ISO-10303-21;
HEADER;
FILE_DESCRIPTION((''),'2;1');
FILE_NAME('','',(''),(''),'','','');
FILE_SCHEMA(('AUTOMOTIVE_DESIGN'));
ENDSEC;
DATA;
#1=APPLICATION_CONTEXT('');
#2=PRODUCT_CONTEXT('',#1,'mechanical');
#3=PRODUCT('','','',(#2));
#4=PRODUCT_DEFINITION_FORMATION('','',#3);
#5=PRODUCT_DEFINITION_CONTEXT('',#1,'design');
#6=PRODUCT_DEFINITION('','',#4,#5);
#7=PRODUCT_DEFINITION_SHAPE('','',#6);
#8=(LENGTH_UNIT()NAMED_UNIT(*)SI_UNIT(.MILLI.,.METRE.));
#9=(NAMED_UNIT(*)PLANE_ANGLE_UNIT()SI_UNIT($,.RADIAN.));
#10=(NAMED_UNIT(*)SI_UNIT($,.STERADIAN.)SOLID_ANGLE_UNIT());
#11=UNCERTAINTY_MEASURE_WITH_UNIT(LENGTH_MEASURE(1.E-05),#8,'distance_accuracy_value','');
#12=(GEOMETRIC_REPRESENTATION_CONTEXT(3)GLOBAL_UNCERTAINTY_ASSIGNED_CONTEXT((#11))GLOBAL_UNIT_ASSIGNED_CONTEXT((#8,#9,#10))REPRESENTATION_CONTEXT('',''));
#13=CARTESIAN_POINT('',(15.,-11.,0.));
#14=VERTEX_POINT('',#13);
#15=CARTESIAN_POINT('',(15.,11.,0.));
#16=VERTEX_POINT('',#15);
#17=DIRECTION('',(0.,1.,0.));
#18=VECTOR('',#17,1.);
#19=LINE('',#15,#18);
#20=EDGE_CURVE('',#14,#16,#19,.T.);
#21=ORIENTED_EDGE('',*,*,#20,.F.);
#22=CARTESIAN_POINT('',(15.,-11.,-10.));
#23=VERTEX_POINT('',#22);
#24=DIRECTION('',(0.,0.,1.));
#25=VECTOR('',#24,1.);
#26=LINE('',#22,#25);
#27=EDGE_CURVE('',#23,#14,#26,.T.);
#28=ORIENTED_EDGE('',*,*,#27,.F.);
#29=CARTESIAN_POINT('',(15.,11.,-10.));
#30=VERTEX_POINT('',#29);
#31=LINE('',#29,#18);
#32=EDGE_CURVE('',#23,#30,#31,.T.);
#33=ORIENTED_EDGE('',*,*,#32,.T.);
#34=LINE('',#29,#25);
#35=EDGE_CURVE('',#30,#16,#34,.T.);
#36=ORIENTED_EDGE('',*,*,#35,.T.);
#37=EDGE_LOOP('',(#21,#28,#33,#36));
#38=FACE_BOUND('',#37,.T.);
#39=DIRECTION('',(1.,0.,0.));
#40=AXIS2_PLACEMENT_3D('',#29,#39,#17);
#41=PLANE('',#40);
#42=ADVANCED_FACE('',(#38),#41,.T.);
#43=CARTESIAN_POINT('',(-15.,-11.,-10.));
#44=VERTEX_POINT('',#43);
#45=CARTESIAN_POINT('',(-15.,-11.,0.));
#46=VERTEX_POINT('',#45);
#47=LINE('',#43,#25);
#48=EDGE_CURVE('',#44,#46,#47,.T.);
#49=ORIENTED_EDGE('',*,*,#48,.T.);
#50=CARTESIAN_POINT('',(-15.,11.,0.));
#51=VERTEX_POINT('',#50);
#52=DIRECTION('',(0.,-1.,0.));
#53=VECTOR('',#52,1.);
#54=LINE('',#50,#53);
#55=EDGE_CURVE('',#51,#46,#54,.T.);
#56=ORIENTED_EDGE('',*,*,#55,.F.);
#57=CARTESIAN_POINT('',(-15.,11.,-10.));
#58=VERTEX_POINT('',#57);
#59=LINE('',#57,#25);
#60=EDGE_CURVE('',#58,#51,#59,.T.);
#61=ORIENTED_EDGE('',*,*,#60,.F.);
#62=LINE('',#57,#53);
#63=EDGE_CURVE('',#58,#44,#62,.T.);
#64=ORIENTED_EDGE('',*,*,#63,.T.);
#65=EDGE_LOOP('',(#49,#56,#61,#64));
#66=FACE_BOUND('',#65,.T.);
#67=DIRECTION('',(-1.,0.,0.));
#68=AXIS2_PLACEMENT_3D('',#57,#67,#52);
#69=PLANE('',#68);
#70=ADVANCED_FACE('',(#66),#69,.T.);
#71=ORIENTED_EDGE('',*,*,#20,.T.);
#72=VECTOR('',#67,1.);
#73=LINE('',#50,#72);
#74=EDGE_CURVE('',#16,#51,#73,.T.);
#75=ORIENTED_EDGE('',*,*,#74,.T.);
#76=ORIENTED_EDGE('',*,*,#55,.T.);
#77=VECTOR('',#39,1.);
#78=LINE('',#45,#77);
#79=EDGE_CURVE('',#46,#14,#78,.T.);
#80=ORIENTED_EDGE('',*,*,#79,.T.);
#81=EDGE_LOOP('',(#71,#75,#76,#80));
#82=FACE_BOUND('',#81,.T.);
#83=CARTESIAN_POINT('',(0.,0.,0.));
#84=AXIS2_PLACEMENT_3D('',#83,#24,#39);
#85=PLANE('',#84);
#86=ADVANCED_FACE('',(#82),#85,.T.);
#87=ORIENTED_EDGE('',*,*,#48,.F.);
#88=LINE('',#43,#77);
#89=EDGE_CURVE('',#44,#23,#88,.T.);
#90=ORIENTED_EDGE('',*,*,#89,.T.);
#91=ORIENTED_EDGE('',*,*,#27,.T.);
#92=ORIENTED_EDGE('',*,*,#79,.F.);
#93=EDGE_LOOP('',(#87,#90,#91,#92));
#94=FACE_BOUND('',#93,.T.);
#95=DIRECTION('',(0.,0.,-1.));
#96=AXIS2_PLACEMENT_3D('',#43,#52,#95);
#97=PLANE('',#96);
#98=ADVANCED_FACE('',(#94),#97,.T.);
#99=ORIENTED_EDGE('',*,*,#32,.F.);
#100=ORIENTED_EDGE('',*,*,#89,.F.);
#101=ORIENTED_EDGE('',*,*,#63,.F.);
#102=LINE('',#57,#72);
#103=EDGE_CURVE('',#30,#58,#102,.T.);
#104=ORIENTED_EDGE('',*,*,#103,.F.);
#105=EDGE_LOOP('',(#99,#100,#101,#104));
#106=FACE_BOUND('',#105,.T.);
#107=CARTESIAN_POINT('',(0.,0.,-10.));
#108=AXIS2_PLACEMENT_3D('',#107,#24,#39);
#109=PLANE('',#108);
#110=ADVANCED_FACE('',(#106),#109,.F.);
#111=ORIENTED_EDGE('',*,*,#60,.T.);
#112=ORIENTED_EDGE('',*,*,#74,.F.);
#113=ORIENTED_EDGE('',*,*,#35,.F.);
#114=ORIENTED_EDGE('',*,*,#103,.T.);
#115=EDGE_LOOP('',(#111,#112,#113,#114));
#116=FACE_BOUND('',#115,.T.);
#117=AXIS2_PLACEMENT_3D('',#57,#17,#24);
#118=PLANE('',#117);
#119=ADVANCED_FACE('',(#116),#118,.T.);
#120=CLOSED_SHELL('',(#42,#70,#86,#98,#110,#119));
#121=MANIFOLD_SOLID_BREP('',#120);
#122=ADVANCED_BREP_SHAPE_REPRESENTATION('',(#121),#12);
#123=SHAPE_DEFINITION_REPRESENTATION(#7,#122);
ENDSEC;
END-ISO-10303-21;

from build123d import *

# Parameters (mm, degrees)
SKETCH1_W           = 30
SKETCH1_H           = 22
BOSS_EXTRUDE1_DEPTH = 10


with BuildPart() as part:
    # Sketch1 → Boss-Extrude1 (new body)
    with BuildSketch(Plane.XY):
        Rectangle(SKETCH1_W, SKETCH1_H)
    extrude(amount=-BOSS_EXTRUDE1_DEPTH)


solid = part.part
